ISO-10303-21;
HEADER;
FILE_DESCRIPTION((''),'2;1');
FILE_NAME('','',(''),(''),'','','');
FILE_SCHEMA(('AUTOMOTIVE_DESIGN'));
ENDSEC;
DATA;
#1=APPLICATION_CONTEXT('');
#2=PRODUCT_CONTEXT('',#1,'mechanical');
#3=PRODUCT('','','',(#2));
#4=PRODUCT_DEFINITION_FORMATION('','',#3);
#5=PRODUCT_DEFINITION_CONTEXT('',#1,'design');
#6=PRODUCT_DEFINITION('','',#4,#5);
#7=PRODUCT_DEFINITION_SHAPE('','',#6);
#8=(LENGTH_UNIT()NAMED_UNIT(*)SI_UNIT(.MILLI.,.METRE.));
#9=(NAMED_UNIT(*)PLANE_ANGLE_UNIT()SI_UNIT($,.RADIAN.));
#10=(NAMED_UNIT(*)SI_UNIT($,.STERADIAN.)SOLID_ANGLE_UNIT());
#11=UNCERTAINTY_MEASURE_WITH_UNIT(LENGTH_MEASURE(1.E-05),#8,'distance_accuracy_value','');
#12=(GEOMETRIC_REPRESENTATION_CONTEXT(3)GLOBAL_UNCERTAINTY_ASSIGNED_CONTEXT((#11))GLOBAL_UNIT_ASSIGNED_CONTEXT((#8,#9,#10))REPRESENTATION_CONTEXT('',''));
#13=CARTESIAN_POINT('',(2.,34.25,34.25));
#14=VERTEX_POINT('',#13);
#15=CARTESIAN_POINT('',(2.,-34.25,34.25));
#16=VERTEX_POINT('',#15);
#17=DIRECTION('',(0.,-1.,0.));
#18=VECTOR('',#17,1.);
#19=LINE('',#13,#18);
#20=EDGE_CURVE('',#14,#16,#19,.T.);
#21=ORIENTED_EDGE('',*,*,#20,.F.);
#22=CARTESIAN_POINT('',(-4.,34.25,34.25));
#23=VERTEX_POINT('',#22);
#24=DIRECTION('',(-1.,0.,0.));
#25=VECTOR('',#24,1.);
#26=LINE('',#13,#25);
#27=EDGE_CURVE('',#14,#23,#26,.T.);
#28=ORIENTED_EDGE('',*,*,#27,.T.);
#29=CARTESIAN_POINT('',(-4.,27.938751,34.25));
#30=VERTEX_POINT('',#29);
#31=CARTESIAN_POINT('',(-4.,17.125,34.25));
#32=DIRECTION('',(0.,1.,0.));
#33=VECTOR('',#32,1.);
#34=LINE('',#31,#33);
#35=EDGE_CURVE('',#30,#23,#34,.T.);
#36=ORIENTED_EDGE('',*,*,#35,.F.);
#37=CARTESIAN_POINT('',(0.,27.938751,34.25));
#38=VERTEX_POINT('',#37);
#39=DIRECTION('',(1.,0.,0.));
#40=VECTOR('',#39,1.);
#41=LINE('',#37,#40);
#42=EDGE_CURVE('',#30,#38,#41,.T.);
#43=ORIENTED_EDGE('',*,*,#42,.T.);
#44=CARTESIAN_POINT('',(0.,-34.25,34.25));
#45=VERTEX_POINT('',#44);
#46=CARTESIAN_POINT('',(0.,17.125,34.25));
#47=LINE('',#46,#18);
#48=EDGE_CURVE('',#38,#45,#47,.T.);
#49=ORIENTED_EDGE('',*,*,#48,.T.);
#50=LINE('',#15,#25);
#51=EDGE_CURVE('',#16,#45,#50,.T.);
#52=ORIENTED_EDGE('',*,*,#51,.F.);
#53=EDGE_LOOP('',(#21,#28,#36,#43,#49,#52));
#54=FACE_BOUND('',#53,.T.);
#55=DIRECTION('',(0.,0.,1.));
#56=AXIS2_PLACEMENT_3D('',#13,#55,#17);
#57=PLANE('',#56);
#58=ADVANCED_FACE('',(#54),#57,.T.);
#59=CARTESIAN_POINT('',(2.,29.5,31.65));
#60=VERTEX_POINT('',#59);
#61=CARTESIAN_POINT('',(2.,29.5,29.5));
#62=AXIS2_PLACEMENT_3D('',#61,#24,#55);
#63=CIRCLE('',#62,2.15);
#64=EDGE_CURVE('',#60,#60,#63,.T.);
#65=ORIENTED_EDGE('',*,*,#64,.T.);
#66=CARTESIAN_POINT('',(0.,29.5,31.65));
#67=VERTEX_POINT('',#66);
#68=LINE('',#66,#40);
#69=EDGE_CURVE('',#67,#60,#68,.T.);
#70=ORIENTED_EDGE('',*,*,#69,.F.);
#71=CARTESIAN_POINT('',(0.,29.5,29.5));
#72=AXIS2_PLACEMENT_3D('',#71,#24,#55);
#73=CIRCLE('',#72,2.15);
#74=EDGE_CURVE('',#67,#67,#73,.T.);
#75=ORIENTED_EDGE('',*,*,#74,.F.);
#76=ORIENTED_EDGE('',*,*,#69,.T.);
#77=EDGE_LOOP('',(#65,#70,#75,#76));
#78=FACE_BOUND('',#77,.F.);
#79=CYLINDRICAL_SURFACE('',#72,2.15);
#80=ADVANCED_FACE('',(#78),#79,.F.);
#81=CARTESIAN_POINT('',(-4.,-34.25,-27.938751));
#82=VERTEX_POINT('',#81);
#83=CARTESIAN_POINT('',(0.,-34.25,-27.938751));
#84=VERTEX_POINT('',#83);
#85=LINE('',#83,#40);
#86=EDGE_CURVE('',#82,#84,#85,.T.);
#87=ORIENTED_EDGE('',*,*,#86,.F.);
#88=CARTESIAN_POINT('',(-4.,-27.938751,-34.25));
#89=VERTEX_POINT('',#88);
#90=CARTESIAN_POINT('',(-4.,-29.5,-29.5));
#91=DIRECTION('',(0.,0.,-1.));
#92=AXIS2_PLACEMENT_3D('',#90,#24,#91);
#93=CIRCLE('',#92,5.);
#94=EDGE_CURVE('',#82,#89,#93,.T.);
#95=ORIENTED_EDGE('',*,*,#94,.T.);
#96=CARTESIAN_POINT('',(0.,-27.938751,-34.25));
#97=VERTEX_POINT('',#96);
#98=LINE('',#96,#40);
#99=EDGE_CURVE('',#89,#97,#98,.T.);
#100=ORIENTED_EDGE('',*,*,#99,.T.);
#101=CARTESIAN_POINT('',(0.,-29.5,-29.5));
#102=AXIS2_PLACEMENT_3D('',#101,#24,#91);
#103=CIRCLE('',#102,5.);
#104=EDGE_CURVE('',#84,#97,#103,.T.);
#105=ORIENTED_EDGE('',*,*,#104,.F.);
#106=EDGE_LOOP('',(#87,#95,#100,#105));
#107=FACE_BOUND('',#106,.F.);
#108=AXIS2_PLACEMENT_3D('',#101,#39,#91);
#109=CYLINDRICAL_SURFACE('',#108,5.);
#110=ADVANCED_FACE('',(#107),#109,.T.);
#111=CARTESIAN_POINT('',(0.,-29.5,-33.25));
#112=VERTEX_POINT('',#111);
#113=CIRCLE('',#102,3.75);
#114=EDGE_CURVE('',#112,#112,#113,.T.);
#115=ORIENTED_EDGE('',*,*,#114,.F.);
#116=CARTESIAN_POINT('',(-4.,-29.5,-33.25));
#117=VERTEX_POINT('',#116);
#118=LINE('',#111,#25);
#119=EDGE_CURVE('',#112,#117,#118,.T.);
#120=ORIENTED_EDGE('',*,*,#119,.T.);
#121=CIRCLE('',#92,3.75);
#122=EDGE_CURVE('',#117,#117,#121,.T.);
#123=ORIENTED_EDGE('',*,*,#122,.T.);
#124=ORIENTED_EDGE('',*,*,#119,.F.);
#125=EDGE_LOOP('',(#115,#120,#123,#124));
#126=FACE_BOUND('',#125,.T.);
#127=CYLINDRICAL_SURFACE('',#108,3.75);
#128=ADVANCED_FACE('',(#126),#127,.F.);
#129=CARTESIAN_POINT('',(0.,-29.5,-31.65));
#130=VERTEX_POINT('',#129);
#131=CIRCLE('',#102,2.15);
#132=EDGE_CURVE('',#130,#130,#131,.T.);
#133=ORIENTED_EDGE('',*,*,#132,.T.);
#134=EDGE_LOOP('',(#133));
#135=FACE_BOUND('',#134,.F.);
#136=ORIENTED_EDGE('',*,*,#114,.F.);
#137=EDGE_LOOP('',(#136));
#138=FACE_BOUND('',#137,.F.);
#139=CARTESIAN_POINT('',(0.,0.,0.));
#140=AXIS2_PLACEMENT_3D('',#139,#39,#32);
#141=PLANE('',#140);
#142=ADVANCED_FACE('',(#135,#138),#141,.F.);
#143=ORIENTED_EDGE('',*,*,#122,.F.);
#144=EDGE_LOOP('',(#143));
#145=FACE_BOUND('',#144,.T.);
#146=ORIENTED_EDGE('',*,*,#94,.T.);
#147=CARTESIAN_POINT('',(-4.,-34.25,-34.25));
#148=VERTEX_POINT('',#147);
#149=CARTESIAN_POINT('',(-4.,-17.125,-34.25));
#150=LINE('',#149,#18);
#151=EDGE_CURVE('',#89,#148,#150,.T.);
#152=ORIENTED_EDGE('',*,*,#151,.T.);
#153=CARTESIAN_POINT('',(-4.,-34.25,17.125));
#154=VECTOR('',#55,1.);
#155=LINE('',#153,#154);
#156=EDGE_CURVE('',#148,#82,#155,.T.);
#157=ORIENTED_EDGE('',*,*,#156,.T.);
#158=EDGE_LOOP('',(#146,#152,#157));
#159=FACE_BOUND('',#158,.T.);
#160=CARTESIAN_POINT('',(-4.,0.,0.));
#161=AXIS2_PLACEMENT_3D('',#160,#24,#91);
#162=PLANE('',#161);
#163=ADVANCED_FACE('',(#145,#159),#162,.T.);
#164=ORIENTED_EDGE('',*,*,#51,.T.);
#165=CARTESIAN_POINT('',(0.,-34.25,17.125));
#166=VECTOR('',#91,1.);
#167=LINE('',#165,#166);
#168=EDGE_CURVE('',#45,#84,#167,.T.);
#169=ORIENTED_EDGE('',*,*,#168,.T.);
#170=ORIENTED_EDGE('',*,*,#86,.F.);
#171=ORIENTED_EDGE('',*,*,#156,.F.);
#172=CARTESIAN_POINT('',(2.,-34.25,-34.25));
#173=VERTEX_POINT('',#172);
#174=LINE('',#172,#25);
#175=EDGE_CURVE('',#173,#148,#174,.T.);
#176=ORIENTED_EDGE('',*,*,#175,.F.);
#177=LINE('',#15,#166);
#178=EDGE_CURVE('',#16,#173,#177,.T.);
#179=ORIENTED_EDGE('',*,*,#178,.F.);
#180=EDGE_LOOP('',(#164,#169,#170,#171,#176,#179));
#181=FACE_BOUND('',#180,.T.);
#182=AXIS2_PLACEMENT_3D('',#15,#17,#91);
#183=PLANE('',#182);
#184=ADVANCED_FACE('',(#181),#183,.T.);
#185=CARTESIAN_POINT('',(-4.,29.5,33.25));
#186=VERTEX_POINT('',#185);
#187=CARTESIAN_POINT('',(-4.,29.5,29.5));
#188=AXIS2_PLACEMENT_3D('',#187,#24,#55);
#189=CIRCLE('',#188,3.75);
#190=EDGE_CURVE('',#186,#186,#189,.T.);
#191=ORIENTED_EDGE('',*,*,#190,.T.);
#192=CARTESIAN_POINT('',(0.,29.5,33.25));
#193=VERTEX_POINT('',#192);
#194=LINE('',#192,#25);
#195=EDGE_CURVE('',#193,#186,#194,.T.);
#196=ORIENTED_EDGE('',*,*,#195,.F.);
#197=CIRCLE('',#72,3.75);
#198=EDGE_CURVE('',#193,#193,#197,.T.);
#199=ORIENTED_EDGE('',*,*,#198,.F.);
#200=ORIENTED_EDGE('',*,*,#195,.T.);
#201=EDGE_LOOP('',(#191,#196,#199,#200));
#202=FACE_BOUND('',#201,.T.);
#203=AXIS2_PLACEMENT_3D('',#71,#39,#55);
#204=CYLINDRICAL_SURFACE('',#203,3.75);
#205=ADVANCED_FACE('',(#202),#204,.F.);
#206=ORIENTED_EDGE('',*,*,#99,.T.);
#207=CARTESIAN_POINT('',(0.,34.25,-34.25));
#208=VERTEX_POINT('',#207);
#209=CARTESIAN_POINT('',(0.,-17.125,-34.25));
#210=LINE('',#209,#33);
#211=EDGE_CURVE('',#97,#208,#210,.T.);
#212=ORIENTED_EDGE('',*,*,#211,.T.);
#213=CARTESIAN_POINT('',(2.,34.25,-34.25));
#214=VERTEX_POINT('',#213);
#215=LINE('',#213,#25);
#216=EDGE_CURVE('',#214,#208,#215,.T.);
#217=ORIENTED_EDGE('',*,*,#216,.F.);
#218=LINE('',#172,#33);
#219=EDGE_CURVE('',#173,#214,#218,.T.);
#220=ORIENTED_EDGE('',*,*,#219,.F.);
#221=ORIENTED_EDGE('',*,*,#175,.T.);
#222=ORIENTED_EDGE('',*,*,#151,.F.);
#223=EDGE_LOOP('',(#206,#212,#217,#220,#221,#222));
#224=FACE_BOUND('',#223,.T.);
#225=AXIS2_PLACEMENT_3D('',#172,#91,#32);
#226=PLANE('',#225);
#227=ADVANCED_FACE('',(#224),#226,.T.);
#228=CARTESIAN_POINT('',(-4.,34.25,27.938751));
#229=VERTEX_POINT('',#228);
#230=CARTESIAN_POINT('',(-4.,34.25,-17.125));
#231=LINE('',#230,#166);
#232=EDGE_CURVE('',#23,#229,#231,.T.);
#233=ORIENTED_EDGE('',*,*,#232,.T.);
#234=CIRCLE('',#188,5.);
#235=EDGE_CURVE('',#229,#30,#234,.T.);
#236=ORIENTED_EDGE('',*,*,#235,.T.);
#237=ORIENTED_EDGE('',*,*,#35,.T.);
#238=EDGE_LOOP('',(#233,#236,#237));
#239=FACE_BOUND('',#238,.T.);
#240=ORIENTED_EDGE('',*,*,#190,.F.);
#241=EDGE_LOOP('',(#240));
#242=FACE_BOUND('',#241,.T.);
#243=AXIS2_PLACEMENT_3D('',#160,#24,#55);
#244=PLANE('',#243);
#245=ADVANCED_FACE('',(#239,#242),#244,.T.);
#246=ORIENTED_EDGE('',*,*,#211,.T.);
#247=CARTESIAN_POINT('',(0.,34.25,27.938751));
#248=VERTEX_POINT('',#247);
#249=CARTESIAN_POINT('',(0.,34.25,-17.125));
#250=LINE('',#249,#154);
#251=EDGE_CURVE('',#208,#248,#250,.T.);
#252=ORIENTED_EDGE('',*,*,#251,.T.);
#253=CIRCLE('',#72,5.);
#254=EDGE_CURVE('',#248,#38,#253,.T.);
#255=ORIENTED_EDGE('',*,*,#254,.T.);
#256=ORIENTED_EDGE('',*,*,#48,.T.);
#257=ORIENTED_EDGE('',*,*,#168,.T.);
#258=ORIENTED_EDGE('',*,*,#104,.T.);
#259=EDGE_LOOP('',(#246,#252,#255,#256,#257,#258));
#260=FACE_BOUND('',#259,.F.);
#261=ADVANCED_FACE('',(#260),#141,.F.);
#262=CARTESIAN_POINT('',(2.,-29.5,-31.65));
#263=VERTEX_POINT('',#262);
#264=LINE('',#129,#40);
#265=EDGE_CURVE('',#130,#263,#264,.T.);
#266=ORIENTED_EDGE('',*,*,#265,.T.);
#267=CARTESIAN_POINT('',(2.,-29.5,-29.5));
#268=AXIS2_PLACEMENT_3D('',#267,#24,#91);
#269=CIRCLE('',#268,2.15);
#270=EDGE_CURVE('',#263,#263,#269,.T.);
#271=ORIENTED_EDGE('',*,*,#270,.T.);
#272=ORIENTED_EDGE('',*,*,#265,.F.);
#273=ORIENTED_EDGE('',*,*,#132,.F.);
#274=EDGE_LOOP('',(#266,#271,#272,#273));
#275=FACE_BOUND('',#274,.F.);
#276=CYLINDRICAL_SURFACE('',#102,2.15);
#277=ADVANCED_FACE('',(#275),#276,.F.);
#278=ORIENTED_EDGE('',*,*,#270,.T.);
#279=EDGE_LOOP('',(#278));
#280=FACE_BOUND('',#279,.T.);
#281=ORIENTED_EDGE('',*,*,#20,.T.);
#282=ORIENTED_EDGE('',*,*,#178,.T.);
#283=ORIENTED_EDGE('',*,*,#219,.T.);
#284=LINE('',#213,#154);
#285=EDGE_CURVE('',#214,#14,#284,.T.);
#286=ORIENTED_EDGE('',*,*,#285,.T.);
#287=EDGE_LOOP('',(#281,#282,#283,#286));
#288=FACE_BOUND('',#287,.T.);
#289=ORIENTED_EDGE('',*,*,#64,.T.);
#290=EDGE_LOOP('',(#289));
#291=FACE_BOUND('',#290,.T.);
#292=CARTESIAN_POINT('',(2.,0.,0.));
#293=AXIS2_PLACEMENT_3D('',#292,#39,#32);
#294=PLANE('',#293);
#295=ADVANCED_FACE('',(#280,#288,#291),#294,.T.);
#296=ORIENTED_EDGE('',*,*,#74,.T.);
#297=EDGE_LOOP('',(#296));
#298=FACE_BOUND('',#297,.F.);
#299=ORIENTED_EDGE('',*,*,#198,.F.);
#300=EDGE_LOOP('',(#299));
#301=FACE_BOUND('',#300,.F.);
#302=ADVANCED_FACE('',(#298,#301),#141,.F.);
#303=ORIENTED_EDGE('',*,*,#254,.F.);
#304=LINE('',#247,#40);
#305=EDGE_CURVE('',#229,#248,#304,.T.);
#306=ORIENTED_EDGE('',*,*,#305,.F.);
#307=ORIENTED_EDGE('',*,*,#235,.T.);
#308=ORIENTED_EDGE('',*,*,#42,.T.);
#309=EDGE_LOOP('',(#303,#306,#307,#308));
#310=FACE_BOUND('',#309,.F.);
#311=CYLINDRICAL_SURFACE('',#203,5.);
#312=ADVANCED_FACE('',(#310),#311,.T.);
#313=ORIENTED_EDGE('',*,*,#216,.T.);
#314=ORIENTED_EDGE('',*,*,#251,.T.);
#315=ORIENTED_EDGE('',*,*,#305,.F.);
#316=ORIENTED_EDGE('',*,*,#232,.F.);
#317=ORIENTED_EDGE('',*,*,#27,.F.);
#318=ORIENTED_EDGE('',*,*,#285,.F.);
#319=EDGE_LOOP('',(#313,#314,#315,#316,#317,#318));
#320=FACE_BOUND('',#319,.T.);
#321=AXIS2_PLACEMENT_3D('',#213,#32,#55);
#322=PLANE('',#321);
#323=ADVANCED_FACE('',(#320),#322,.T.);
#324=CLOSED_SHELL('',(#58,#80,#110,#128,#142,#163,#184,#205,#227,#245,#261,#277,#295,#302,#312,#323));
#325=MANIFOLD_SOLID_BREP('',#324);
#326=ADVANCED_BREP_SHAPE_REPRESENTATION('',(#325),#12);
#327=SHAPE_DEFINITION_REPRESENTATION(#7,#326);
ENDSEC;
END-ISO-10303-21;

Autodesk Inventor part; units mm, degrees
ref_plane "YZ Plane" through (0, 0, 0) normal (1, 0, 0) x (0, 1, 0)
ref_plane "XZ Plane" through (0, 0, 0) normal (0, 1, 0) x (-1, 0, 0)
ref_plane "XY Plane" through (0, 0, 0) normal (0, 0, 1) x (1, 0, 0)
sketch "Sketch1" plane through (0, 0, 0) normal (1, 0, 0) x (0, 1, 0)
  line L0 (34.5, 34.5) -> (-34.5, 34.5)
  line L1 (-34.5, 34.5) -> (-34.5, -34.5)
  line L2 (-34.5, -34.5) -> (34.5, -34.5)
  line L3 (34.5, -34.5) -> (34.5, 34.5)
  line L4 (34.5, 34.5) -> (-34.5, -34.5) construction
  line L5 (-34.5, 34.5) -> (34.5, -34.5) construction
  point P0 (0, 0)
  dimension "d0" = 69
  dimension "d1" = 69
extrude "Extrusion1" add sketch "Sketch1" along normal blind 2
sketch "Sketch2" plane through (0, 0, 0) normal (-1, 0, 0) x (0, 0, 1)
  circle A0 centre (29.5, 29.5) radius 3.75
  circle A1 centre (29.5, 29.5) radius 5
  line L0 (-34.5, 34.5) -> (34.5, 34.5) projected
  line L1 (34.5, 34.5) -> (34.5, -34.5) projected
  circle A2 centre (29.5, 29.5) radius 2.15
  point P0 (0, 0)
  point P1 (34.5, 29.5)
  point P2 (29.5, 34.5)
  dimension "d4" = 7.5
  dimension "d5" = 10
  dimension "d6" = 5
  dimension "d7" = 5
  dimension "d10" = 4.3
extrude "Extrusion2" add sketch "Sketch2" along normal blind 4 contours A1 | A1 L0 L1
extrude "Extrusion3" cut sketch "Sketch2" against normal blind 4 contours A2
pattern_circular "Circular Pattern1" count 2 over 360 about axis through (-10, 0, 0) along (1, 0, 0) of "Extrusion2", "Extrusion3"
sketch "Sketch3" plane through (2, 0, 0) normal (1, 0, 0) x (0, 0, -1)
  circle A0 centre (29.5, -29.5) radius 2.15 projected
  circle A1 centre (-29.5, 29.5) radius 2.15 projected
  line L0 (-34.5, -34.5) -> (34.5, -34.5) projected
  line L1 (34.5, -34.5) -> (34.5, 34.5) projected
  line L2 (34.5, 34.5) -> (-34.5, 34.5) projected
  line L3 (-34.5, 34.5) -> (-34.5, -34.5) projected
  line L4 (-34.25, -34.25) -> (34.25, -34.25)
  line L5 (34.25, -34.25) -> (34.25, 34.25)
  line L6 (34.25, 34.25) -> (-34.25, 34.25)
  line L7 (-34.25, 34.25) -> (-34.25, -34.25)
  line L8 (-34.25, -34.25) -> (34.25, 34.25) construction
  line L9 (34.25, -34.25) -> (-34.25, 34.25) construction
  point P0 (0, 0)
  dimension "d16" = 0.25
  dimension "d17" = 0.25
extrude "Extrusion4" cut sketch "Sketch3" against normal through all contours L3 L2 L1 L0
properties part number "pokrywa_obudowa"
